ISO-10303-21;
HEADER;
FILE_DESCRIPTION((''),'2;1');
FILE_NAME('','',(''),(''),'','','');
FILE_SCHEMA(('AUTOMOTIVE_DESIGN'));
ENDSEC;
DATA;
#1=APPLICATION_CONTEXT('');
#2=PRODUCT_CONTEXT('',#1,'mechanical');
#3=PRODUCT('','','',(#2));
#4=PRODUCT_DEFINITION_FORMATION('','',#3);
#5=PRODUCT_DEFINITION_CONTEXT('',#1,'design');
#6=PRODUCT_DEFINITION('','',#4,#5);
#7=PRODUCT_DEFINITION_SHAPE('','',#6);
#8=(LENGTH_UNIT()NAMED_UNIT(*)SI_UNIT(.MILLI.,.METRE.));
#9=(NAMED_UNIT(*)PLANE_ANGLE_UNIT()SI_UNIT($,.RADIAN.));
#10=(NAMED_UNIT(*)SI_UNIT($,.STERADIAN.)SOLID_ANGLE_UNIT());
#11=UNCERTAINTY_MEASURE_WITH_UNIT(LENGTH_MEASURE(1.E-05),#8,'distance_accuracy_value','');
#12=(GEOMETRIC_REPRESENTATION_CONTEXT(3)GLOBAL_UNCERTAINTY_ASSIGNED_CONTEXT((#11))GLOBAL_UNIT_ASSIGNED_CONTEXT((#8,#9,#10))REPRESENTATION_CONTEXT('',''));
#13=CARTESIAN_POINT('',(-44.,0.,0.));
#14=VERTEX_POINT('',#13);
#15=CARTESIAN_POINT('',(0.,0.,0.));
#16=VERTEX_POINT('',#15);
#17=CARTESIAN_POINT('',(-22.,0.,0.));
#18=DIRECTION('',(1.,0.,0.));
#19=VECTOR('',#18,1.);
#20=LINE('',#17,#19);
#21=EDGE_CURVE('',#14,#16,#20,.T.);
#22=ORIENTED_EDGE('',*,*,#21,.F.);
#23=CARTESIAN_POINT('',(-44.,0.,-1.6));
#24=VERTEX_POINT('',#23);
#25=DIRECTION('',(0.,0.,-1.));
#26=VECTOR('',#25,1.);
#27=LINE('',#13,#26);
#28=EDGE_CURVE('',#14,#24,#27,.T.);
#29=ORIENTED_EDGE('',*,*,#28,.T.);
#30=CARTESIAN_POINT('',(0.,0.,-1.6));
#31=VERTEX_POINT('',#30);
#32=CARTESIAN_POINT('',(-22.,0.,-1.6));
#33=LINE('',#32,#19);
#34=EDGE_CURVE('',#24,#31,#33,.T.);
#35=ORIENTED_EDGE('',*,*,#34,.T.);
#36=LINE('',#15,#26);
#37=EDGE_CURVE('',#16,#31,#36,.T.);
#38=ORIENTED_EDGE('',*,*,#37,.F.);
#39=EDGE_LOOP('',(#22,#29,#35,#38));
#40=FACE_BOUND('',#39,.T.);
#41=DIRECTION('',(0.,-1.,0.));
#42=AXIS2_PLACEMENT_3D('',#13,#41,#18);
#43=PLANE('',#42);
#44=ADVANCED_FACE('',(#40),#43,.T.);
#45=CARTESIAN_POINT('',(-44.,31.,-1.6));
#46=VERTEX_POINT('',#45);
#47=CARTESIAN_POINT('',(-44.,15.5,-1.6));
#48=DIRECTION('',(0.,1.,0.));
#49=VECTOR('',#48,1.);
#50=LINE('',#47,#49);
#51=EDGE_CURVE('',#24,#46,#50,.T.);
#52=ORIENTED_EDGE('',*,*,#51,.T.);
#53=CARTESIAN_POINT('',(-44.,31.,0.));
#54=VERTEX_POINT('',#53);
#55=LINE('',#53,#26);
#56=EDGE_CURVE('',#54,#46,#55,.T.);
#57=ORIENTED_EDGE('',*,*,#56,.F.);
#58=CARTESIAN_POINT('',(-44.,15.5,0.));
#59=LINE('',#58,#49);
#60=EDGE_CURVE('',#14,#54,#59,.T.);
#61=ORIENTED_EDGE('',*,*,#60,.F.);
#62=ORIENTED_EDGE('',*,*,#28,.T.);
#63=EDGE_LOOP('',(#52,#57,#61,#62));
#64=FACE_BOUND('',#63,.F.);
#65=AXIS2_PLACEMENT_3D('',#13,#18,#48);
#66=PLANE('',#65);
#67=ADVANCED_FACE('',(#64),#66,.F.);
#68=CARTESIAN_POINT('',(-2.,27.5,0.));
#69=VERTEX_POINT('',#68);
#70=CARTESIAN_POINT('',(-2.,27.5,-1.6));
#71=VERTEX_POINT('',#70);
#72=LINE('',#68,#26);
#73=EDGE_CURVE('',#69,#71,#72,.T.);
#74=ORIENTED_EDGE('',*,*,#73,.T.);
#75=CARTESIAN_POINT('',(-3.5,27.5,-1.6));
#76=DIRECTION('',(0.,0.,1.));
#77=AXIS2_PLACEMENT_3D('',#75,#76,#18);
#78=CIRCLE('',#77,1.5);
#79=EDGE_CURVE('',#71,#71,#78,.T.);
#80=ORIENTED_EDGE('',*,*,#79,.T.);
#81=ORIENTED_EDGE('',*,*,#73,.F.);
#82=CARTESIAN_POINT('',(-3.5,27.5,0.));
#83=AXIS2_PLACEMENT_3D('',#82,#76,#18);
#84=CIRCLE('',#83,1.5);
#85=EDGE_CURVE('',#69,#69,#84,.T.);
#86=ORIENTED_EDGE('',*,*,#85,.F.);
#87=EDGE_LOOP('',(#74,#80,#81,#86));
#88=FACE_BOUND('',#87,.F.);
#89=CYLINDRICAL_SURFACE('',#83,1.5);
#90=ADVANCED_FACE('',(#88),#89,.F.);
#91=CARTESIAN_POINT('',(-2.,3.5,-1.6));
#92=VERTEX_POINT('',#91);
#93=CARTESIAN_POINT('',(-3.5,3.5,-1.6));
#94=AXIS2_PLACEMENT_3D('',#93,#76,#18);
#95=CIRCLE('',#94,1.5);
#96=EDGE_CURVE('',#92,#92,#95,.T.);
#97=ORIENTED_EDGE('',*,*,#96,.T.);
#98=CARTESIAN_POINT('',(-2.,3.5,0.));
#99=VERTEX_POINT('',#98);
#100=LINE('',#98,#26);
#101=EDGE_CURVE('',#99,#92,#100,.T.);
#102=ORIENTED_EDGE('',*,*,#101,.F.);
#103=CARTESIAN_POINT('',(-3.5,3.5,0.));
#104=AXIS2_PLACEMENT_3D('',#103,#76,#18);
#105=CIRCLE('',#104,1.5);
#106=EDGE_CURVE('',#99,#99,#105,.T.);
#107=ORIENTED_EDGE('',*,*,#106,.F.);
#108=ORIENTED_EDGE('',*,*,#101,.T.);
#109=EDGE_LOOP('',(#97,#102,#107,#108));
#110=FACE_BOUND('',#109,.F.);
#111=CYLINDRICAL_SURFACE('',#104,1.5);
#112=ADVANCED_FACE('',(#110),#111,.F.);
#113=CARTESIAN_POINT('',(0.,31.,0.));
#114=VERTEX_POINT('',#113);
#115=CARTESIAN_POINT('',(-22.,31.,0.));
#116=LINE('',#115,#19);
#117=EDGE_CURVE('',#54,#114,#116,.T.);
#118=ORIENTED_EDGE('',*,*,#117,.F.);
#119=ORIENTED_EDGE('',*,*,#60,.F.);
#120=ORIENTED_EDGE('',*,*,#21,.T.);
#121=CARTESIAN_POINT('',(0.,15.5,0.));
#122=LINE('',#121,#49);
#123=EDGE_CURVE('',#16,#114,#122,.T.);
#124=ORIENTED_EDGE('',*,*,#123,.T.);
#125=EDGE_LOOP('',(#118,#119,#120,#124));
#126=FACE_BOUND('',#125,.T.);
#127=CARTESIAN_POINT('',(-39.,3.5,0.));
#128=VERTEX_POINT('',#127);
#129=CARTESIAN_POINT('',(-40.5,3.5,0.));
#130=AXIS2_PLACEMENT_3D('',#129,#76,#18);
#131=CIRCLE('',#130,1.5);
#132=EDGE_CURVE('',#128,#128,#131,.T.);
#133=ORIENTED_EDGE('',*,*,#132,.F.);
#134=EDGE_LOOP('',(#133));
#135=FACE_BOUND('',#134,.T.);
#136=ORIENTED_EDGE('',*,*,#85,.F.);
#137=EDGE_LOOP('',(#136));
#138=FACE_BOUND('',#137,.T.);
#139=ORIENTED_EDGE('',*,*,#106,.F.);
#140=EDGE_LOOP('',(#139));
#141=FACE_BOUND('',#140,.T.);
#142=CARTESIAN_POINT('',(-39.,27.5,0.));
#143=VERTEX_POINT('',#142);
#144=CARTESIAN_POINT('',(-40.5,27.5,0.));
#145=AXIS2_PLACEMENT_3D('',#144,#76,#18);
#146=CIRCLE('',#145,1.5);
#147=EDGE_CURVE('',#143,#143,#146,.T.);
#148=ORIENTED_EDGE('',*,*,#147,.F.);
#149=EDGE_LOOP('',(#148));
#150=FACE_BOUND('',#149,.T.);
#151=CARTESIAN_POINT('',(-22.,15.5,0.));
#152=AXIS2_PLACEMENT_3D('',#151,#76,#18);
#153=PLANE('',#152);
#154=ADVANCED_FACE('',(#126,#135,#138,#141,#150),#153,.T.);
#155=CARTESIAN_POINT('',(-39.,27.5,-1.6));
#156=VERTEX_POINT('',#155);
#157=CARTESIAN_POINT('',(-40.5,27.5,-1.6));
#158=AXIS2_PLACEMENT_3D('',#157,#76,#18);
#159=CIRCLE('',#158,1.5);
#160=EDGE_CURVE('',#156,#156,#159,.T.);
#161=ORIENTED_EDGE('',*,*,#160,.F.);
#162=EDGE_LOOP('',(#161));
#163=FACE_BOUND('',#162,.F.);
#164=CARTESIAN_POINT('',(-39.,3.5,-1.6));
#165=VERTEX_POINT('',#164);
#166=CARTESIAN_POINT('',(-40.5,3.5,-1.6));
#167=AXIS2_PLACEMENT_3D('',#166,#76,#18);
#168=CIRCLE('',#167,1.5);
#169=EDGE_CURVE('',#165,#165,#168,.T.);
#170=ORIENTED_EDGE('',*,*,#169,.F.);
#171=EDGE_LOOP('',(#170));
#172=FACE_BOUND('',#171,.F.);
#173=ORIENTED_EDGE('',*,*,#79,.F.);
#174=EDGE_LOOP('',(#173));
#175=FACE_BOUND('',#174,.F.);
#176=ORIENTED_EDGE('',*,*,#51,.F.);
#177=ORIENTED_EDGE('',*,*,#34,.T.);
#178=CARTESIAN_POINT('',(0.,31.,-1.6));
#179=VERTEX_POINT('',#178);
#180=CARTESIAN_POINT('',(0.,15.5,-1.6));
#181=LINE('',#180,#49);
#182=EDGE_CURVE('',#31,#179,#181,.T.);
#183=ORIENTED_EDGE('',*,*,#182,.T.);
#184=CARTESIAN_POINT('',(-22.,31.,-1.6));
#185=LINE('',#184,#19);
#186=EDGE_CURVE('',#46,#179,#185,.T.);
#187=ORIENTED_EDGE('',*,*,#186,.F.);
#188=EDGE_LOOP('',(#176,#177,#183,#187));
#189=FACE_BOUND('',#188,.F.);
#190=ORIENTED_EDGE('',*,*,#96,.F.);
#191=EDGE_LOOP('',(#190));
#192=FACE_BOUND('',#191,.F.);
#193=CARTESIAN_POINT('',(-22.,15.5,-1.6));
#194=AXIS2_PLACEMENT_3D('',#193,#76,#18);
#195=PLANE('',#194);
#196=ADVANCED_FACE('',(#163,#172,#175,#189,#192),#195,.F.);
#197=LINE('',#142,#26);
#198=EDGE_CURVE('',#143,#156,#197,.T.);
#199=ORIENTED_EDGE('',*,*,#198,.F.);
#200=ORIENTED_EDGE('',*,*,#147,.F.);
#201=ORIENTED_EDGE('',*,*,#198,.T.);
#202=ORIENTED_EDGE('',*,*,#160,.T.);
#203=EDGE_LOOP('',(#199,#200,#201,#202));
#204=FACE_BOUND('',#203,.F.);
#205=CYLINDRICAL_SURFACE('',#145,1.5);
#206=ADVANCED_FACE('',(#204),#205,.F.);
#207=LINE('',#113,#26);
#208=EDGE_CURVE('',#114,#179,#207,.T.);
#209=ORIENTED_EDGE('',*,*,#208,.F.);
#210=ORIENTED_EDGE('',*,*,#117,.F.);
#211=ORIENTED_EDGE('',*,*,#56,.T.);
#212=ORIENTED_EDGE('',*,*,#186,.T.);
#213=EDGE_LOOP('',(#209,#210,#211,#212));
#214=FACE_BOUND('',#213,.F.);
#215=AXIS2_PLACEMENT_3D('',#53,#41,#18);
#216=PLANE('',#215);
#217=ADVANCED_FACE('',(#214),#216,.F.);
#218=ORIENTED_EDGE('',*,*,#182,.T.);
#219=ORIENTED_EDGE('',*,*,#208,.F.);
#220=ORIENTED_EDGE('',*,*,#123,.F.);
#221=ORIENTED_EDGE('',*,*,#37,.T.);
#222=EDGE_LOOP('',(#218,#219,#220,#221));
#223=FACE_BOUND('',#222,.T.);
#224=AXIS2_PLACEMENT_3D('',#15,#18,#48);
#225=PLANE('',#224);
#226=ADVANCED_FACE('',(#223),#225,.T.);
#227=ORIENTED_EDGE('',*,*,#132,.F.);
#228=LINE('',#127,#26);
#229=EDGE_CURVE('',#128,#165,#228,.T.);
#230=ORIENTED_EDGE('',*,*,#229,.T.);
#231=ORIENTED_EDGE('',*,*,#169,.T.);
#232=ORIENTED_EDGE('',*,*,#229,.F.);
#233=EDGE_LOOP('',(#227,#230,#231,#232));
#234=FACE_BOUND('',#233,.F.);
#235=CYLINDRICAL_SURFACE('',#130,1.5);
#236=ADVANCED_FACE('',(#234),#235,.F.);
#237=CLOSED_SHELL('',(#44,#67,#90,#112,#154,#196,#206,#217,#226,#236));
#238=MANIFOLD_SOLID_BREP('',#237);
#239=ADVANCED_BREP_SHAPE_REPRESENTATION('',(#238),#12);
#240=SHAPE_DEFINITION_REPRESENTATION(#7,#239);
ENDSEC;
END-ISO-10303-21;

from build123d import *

# Parameters (mm, degrees)
F0_W     = 44
F0_H     = 31
F0_R     = 1.5
F1_DEPTH = 1.6


with BuildPart() as f1:
    # F0 (on Top) → F1 (new body)
    with BuildSketch(Plane.XY):
        with Locations((-22, 15.5)):
            Rectangle(F0_W, F0_H)
        with Locations((-40.5, 3.5)):
            Circle(F0_R, mode=Mode.SUBTRACT)
        with Locations((-3.5, 3.5)):
            Circle(F0_R, mode=Mode.SUBTRACT)
        with Locations((-40.5, 27.5)):
            Circle(F0_R, mode=Mode.SUBTRACT)
        with Locations((-3.5, 27.5)):
            Circle(F0_R, mode=Mode.SUBTRACT)
    extrude(amount=-F1_DEPTH)


solid = f1.part
